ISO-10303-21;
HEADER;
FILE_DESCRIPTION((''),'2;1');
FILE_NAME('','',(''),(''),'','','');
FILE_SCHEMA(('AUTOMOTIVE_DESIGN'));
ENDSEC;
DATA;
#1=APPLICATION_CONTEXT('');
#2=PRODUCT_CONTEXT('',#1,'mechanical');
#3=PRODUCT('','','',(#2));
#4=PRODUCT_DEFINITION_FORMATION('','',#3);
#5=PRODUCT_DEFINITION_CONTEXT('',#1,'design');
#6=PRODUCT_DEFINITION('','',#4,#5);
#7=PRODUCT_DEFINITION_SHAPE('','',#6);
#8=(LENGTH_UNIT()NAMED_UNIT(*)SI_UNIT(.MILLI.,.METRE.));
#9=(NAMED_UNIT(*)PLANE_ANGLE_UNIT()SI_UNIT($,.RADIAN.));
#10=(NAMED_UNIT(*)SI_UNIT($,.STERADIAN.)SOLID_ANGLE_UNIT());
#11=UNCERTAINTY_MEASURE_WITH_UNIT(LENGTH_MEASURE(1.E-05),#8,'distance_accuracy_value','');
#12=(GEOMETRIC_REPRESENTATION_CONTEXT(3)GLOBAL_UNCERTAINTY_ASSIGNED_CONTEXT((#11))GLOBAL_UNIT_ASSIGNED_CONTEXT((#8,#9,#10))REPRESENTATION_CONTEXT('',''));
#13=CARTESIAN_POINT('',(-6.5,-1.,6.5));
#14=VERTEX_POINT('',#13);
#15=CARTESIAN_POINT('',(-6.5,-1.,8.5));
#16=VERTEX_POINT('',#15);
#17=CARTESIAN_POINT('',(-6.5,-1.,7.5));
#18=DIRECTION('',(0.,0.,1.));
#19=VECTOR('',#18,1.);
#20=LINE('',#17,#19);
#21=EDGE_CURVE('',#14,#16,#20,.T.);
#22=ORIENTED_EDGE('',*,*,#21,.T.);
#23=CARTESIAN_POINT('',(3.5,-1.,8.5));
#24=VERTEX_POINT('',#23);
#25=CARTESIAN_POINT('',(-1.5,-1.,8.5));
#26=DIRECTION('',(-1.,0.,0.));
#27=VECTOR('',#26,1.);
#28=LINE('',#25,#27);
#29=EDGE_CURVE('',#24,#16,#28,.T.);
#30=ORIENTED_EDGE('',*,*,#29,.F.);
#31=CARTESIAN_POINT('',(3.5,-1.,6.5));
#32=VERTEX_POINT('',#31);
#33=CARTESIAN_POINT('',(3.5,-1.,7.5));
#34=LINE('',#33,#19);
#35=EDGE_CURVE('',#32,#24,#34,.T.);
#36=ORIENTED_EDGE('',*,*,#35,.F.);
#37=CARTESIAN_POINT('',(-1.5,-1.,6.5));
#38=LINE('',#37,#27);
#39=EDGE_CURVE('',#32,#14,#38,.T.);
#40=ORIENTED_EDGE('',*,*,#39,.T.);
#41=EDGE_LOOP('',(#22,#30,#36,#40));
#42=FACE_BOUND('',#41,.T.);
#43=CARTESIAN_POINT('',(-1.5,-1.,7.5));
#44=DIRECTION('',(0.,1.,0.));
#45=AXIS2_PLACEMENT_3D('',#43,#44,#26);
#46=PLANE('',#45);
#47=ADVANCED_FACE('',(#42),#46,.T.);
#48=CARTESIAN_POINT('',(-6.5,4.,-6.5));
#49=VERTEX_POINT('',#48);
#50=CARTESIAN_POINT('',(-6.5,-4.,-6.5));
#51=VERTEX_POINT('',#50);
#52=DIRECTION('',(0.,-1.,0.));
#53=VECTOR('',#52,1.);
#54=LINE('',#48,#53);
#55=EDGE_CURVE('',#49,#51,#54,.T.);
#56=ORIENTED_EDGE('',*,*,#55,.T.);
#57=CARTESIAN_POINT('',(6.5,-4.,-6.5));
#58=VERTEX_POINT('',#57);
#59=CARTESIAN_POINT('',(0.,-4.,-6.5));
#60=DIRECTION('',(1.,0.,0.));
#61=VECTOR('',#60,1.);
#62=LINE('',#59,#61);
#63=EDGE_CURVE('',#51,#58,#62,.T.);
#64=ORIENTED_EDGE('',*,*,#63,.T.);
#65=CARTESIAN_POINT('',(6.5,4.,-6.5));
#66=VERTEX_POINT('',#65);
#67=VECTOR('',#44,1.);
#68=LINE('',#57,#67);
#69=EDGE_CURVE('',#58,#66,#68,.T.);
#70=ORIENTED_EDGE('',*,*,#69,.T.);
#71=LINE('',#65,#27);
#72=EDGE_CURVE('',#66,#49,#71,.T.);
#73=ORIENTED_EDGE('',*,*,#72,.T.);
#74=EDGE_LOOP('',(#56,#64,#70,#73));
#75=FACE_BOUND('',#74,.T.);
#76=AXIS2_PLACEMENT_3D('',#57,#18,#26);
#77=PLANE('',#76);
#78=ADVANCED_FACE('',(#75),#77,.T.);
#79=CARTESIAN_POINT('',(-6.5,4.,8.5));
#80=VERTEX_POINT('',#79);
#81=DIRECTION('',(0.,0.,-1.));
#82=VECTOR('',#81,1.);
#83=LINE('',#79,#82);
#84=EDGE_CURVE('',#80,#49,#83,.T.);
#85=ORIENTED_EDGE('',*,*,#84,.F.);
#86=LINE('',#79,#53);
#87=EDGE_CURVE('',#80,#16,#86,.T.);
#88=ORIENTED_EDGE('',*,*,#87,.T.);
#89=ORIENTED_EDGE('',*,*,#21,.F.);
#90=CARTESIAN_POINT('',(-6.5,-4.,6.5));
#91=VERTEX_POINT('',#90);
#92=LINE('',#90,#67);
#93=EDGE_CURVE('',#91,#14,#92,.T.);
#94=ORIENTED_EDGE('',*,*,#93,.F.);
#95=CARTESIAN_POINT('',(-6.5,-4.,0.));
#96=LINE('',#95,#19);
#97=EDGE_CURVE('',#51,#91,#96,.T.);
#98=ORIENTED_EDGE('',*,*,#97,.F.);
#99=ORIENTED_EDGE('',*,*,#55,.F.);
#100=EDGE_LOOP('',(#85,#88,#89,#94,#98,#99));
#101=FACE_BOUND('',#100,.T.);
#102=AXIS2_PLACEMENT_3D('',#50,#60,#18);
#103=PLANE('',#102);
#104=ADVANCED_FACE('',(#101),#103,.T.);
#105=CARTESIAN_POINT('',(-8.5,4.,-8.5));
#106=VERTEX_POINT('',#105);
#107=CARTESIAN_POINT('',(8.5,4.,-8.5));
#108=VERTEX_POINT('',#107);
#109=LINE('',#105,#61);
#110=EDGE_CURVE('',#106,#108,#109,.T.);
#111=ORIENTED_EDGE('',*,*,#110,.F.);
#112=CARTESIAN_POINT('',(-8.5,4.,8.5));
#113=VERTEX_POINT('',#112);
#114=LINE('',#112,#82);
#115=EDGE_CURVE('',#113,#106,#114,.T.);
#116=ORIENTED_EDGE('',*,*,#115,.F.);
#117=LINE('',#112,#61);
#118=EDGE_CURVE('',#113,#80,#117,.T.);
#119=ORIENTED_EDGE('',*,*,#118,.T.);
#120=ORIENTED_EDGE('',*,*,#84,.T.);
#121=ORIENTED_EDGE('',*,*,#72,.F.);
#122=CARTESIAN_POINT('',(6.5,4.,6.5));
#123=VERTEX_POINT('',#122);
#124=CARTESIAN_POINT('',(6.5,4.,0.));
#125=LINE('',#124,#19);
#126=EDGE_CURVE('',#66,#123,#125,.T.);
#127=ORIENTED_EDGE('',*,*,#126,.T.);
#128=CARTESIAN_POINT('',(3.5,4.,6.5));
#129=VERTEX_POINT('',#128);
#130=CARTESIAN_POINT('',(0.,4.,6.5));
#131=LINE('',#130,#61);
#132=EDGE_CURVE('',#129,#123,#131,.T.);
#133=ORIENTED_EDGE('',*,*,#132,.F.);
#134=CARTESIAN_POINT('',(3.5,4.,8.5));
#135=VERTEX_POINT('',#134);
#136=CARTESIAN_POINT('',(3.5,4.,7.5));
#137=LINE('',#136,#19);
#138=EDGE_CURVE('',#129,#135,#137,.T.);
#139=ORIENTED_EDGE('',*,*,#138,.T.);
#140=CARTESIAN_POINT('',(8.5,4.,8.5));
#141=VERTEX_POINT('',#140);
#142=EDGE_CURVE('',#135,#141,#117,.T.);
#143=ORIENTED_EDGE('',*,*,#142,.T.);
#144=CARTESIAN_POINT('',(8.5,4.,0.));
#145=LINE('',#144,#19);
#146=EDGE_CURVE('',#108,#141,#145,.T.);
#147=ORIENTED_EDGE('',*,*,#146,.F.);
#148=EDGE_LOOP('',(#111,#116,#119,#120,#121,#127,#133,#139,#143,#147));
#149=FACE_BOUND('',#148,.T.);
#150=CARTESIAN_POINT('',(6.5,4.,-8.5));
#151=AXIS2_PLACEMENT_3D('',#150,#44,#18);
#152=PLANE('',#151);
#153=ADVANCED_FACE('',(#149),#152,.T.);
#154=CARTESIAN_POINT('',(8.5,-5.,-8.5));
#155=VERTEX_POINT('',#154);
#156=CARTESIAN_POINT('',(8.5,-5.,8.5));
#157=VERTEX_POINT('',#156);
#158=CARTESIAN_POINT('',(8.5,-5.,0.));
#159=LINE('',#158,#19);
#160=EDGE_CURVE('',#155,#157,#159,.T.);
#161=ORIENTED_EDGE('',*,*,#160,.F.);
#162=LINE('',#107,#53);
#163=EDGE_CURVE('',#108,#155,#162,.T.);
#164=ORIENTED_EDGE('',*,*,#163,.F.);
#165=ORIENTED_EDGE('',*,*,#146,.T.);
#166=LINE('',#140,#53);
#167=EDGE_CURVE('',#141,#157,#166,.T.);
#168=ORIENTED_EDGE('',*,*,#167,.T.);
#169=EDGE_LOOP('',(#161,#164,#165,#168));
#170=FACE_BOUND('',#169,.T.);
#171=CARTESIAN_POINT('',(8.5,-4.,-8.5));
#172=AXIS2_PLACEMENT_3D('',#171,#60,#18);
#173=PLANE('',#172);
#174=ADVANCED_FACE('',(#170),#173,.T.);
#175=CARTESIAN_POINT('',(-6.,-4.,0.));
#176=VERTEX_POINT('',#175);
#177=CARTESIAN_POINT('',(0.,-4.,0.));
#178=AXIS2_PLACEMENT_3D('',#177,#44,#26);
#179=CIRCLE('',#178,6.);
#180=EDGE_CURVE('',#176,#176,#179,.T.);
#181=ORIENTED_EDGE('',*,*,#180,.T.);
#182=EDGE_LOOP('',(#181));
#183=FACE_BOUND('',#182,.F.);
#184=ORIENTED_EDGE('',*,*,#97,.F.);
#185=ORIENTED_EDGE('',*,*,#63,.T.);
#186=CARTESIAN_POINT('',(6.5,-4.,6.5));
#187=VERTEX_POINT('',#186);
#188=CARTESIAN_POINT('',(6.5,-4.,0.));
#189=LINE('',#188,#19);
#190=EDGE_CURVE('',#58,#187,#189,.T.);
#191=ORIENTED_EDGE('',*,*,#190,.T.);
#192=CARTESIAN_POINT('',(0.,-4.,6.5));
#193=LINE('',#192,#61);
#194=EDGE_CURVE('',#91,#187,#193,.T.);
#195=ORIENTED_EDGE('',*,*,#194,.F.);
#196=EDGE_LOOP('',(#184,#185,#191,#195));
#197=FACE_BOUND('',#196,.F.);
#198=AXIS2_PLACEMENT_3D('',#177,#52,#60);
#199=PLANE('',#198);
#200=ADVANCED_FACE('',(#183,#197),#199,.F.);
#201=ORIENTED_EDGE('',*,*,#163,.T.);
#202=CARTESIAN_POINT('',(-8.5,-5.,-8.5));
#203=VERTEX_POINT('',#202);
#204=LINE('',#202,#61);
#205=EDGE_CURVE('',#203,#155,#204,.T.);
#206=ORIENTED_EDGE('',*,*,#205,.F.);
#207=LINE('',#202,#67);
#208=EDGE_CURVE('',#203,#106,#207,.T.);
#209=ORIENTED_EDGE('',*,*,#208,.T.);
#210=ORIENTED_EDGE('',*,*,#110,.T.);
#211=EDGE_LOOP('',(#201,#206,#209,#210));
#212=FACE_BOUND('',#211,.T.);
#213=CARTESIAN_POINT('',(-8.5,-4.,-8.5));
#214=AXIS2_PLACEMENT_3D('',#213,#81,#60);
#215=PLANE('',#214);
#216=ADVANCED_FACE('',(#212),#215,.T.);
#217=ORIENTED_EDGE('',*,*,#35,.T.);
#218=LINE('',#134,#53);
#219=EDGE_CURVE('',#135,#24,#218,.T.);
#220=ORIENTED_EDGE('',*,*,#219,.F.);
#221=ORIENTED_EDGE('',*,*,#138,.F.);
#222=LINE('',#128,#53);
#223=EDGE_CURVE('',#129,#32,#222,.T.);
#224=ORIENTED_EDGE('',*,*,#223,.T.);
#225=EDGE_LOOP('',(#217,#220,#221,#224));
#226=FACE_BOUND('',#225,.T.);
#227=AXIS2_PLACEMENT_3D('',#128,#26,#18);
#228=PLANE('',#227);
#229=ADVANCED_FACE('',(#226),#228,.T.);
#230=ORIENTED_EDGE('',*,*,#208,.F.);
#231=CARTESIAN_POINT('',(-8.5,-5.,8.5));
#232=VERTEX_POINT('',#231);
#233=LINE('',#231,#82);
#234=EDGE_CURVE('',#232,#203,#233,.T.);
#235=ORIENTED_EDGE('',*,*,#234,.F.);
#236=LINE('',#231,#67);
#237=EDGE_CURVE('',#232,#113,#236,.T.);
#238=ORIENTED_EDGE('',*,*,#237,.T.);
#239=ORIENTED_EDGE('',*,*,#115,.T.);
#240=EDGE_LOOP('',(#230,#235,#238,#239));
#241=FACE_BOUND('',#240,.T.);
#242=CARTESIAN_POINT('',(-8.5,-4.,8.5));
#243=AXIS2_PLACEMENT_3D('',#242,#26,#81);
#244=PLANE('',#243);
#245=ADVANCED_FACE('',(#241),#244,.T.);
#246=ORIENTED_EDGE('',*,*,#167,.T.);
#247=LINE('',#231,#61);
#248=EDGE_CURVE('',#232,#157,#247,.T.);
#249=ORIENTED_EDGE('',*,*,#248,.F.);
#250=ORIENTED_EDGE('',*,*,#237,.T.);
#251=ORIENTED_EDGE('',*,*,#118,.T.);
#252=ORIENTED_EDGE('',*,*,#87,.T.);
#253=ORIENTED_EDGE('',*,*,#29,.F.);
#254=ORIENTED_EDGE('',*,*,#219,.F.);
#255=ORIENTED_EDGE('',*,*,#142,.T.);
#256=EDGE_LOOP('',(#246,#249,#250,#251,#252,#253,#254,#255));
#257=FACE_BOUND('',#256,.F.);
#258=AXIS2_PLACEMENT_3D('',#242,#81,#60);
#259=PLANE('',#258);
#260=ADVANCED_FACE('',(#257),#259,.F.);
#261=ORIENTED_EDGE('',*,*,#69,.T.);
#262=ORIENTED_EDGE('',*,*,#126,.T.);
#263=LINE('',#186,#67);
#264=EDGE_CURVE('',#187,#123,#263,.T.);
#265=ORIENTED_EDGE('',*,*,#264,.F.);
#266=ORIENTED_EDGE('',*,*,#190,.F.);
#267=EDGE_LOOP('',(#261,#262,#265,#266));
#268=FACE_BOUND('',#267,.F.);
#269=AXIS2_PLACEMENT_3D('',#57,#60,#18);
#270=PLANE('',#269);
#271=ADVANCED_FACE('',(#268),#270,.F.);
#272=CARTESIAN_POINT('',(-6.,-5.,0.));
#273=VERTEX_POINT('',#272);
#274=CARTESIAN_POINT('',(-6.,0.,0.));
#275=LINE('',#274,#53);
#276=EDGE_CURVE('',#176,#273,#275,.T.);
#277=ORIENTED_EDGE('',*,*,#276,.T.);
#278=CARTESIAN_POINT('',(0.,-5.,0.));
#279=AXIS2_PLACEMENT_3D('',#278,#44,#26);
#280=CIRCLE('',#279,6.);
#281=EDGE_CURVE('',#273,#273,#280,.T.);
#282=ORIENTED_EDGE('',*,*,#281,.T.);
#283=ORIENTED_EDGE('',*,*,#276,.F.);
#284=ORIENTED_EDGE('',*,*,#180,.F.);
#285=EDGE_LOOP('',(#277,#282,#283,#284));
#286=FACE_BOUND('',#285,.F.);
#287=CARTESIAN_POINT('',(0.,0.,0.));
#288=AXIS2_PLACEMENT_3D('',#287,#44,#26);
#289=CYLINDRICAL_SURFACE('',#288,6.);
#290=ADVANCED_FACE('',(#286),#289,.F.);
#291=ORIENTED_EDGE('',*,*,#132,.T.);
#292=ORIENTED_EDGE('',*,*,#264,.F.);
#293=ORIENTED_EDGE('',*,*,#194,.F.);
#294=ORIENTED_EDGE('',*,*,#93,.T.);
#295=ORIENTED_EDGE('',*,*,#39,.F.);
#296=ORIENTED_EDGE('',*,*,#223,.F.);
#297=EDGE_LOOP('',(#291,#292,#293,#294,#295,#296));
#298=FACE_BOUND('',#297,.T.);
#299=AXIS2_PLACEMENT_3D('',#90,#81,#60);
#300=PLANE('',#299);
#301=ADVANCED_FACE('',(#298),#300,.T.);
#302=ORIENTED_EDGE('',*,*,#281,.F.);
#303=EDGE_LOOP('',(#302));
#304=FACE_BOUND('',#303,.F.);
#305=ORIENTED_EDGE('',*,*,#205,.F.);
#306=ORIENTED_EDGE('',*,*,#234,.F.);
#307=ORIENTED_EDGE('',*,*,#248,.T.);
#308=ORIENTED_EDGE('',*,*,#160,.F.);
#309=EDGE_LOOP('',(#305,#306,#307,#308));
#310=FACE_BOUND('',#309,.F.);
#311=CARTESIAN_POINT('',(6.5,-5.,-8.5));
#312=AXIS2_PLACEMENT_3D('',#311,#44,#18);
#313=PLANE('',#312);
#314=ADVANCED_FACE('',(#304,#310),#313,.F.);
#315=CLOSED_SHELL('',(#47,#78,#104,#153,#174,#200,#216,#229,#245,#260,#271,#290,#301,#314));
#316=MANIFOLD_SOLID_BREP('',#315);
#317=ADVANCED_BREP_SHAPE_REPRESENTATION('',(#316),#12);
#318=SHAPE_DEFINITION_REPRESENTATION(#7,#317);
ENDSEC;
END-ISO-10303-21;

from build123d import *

# Parameters (mm, degrees)
F0_W      = 13
F0_H      = 13
F1_DEPTH  = 5
F2_R      = 6
F3_DEPTH  = 25
F4_W      = 13
F4_H      = 1
F5_DEPTH  = 2
F6_W      = 1
F6_H      = 17
F7_DEPTH  = 2
F8_W      = 1
F8_H      = 15
F9_DEPTH  = 2
F10_DEPTH = 15
F11_DEPTH = 8
F12_DEPTH = 4
F13_W     = 10
F13_H     = 2
F14_DEPTH = 5


with BuildPart() as f1:
    # F0 (on Front) → F1 (new body)
    with BuildSketch(Plane.XZ):
        Rectangle(F0_W, F0_H)
    extrude(amount=F1_DEPTH)

    # F2 (on face) → F3 (cut)
    with BuildSketch(Plane(origin=(0, 0, 0), x_dir=(-1, 0, 0), z_dir=(0, 1, 0))):
        Circle(F2_R)
    extrude(amount=-F3_DEPTH, mode=Mode.SUBTRACT)

    # F4 (on face) → F5 (join)
    with BuildSketch(Plane.XY.offset(6.5)):
        with Locations((0, -4.5)):
            Rectangle(F4_W, F4_H)
    extrude(amount=F5_DEPTH)

    # F6 (on face) → F7 (join)
    with BuildSketch(Plane.YZ.offset(6.5)):
        with Locations((-4.5, 0)):
            Rectangle(F6_W, F6_H)
    extrude(amount=F7_DEPTH)

    # F8 (on face) → F9 (join)
    with BuildSketch(Plane(origin=(-6.5, 0, 0), x_dir=(0, -1, 0), z_dir=(-1, 0, 0))):
        with Locations((4.5, 1)):
            Rectangle(F8_W, F8_H)
    extrude(amount=F9_DEPTH)

    # F10 (add): a face of the model
    f10_faces = [f1.faces().sort_by_distance(p)[0] for p in [
        (6.5, -4.5, -7.5),
    ]]
    extrude(f10_faces, amount=F10_DEPTH)

    # F11 (add): a face of the model
    f11_faces = [f1.faces().sort_by_distance(p)[0] for p in [
        (0, -4, -8.2595836944),
    ]]
    extrude(f11_faces, amount=F11_DEPTH)

    # F12 (cut): a face of the model
    f12_faces = [f1.faces().sort_by_distance(p)[0] for p in [
        (6.3161522369, 0, 0),
    ]]
    extrude(f12_faces, amount=-F12_DEPTH, mode=Mode.SUBTRACT)

    # F13 (on face) → F14 (cut)
    with BuildSketch(Plane(origin=(0, 4, 0), x_dir=(-1, 0, 0), z_dir=(0, 1, 0))):
        with Locations((1.5, 7.5)):
            Rectangle(F13_W, F13_H)
    extrude(amount=-F14_DEPTH, mode=Mode.SUBTRACT)


solid = f1.part
